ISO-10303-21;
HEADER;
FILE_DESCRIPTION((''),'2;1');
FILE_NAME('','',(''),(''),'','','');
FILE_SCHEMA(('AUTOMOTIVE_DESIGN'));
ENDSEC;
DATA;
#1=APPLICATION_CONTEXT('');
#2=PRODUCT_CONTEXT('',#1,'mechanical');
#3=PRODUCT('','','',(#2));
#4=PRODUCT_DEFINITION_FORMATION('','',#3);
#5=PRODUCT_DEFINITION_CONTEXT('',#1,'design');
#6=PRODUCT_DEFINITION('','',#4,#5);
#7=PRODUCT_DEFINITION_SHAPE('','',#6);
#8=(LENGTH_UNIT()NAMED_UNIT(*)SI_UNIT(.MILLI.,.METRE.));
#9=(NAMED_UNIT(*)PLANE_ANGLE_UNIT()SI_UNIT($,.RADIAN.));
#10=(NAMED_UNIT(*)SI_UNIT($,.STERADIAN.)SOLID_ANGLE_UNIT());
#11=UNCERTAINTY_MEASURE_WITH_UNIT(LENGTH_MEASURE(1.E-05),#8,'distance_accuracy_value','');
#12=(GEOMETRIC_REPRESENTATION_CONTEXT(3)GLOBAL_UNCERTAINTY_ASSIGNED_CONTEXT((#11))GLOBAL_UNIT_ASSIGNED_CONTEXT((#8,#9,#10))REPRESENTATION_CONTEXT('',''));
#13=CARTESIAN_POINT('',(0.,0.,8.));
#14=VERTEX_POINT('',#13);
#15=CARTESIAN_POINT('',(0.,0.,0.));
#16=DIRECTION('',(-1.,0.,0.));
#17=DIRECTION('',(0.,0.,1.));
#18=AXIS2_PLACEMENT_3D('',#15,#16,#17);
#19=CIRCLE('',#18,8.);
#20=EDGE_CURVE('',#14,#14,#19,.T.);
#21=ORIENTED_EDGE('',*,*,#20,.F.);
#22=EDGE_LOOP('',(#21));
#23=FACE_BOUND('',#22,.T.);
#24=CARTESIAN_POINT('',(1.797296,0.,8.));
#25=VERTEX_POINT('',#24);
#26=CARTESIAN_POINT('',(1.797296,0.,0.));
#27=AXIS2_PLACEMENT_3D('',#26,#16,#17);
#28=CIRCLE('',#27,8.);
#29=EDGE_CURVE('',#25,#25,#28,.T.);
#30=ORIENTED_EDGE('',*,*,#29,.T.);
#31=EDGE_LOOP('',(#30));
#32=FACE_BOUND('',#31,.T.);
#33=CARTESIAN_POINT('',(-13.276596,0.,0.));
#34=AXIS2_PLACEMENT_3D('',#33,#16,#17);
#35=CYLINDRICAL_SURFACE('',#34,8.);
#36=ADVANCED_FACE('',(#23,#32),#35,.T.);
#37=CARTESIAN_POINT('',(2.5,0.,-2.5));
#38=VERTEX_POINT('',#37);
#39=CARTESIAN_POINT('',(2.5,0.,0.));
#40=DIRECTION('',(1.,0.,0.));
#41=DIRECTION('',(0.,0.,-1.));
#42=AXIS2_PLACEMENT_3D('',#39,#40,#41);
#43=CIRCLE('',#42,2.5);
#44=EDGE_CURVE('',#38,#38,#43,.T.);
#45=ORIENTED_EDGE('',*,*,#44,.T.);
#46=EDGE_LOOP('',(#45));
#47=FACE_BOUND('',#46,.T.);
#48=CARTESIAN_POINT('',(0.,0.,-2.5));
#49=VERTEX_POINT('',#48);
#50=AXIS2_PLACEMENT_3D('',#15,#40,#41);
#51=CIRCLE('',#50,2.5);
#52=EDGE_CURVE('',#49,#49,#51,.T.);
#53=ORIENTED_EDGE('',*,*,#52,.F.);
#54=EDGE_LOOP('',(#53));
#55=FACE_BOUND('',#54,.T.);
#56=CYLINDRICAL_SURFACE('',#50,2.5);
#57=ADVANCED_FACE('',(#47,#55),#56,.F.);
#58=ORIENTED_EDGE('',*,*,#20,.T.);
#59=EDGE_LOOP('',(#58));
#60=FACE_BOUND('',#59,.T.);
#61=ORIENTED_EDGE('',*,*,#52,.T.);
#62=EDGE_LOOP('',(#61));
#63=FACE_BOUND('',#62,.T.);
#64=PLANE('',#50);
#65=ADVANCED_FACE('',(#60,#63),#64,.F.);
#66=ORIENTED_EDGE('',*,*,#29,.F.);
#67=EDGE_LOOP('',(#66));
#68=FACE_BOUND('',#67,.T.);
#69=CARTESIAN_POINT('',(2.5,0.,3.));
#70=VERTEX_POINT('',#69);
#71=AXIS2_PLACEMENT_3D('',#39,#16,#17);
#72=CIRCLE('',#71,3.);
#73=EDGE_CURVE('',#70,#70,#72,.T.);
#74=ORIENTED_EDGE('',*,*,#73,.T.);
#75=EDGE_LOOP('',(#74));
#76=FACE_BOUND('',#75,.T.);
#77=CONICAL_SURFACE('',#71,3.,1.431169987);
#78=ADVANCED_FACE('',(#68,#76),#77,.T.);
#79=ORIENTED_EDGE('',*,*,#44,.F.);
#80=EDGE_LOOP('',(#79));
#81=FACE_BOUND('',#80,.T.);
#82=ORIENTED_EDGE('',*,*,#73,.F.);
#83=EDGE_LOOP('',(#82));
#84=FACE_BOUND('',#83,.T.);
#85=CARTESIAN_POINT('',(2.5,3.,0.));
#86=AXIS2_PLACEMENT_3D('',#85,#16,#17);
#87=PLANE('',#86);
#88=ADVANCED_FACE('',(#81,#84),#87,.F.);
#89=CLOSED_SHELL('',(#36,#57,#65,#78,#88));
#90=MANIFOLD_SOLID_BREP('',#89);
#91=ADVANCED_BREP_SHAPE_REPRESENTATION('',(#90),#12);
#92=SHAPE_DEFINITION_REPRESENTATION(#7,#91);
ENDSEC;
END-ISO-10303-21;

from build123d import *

# Parameters (mm, degrees)
SKETCH5_R          = 2.5
CUT_EXTRUDE3_DEPTH = 3.5


with BuildPart() as part:
    # Sketch1 → Revolve1 (revolve)
    with BuildSketch(Plane.XY):
        Polygon((0, 0), (0, 8), (1.797295826, 8), (2.5, 3), (2.5, 0), align=None)
    revolve(axis=Axis((-13.276595745, 0, 0), (1, 0, 0)))

    # Sketch5 → Cut-Extrude3 (cut, through all)
    with BuildSketch(Plane(origin=(2.5, 0, 0), x_dir=(0, 0, -1), z_dir=(1, 0, 0))):
        Circle(SKETCH5_R)
    extrude(amount=-CUT_EXTRUDE3_DEPTH, mode=Mode.SUBTRACT)


solid = part.part
